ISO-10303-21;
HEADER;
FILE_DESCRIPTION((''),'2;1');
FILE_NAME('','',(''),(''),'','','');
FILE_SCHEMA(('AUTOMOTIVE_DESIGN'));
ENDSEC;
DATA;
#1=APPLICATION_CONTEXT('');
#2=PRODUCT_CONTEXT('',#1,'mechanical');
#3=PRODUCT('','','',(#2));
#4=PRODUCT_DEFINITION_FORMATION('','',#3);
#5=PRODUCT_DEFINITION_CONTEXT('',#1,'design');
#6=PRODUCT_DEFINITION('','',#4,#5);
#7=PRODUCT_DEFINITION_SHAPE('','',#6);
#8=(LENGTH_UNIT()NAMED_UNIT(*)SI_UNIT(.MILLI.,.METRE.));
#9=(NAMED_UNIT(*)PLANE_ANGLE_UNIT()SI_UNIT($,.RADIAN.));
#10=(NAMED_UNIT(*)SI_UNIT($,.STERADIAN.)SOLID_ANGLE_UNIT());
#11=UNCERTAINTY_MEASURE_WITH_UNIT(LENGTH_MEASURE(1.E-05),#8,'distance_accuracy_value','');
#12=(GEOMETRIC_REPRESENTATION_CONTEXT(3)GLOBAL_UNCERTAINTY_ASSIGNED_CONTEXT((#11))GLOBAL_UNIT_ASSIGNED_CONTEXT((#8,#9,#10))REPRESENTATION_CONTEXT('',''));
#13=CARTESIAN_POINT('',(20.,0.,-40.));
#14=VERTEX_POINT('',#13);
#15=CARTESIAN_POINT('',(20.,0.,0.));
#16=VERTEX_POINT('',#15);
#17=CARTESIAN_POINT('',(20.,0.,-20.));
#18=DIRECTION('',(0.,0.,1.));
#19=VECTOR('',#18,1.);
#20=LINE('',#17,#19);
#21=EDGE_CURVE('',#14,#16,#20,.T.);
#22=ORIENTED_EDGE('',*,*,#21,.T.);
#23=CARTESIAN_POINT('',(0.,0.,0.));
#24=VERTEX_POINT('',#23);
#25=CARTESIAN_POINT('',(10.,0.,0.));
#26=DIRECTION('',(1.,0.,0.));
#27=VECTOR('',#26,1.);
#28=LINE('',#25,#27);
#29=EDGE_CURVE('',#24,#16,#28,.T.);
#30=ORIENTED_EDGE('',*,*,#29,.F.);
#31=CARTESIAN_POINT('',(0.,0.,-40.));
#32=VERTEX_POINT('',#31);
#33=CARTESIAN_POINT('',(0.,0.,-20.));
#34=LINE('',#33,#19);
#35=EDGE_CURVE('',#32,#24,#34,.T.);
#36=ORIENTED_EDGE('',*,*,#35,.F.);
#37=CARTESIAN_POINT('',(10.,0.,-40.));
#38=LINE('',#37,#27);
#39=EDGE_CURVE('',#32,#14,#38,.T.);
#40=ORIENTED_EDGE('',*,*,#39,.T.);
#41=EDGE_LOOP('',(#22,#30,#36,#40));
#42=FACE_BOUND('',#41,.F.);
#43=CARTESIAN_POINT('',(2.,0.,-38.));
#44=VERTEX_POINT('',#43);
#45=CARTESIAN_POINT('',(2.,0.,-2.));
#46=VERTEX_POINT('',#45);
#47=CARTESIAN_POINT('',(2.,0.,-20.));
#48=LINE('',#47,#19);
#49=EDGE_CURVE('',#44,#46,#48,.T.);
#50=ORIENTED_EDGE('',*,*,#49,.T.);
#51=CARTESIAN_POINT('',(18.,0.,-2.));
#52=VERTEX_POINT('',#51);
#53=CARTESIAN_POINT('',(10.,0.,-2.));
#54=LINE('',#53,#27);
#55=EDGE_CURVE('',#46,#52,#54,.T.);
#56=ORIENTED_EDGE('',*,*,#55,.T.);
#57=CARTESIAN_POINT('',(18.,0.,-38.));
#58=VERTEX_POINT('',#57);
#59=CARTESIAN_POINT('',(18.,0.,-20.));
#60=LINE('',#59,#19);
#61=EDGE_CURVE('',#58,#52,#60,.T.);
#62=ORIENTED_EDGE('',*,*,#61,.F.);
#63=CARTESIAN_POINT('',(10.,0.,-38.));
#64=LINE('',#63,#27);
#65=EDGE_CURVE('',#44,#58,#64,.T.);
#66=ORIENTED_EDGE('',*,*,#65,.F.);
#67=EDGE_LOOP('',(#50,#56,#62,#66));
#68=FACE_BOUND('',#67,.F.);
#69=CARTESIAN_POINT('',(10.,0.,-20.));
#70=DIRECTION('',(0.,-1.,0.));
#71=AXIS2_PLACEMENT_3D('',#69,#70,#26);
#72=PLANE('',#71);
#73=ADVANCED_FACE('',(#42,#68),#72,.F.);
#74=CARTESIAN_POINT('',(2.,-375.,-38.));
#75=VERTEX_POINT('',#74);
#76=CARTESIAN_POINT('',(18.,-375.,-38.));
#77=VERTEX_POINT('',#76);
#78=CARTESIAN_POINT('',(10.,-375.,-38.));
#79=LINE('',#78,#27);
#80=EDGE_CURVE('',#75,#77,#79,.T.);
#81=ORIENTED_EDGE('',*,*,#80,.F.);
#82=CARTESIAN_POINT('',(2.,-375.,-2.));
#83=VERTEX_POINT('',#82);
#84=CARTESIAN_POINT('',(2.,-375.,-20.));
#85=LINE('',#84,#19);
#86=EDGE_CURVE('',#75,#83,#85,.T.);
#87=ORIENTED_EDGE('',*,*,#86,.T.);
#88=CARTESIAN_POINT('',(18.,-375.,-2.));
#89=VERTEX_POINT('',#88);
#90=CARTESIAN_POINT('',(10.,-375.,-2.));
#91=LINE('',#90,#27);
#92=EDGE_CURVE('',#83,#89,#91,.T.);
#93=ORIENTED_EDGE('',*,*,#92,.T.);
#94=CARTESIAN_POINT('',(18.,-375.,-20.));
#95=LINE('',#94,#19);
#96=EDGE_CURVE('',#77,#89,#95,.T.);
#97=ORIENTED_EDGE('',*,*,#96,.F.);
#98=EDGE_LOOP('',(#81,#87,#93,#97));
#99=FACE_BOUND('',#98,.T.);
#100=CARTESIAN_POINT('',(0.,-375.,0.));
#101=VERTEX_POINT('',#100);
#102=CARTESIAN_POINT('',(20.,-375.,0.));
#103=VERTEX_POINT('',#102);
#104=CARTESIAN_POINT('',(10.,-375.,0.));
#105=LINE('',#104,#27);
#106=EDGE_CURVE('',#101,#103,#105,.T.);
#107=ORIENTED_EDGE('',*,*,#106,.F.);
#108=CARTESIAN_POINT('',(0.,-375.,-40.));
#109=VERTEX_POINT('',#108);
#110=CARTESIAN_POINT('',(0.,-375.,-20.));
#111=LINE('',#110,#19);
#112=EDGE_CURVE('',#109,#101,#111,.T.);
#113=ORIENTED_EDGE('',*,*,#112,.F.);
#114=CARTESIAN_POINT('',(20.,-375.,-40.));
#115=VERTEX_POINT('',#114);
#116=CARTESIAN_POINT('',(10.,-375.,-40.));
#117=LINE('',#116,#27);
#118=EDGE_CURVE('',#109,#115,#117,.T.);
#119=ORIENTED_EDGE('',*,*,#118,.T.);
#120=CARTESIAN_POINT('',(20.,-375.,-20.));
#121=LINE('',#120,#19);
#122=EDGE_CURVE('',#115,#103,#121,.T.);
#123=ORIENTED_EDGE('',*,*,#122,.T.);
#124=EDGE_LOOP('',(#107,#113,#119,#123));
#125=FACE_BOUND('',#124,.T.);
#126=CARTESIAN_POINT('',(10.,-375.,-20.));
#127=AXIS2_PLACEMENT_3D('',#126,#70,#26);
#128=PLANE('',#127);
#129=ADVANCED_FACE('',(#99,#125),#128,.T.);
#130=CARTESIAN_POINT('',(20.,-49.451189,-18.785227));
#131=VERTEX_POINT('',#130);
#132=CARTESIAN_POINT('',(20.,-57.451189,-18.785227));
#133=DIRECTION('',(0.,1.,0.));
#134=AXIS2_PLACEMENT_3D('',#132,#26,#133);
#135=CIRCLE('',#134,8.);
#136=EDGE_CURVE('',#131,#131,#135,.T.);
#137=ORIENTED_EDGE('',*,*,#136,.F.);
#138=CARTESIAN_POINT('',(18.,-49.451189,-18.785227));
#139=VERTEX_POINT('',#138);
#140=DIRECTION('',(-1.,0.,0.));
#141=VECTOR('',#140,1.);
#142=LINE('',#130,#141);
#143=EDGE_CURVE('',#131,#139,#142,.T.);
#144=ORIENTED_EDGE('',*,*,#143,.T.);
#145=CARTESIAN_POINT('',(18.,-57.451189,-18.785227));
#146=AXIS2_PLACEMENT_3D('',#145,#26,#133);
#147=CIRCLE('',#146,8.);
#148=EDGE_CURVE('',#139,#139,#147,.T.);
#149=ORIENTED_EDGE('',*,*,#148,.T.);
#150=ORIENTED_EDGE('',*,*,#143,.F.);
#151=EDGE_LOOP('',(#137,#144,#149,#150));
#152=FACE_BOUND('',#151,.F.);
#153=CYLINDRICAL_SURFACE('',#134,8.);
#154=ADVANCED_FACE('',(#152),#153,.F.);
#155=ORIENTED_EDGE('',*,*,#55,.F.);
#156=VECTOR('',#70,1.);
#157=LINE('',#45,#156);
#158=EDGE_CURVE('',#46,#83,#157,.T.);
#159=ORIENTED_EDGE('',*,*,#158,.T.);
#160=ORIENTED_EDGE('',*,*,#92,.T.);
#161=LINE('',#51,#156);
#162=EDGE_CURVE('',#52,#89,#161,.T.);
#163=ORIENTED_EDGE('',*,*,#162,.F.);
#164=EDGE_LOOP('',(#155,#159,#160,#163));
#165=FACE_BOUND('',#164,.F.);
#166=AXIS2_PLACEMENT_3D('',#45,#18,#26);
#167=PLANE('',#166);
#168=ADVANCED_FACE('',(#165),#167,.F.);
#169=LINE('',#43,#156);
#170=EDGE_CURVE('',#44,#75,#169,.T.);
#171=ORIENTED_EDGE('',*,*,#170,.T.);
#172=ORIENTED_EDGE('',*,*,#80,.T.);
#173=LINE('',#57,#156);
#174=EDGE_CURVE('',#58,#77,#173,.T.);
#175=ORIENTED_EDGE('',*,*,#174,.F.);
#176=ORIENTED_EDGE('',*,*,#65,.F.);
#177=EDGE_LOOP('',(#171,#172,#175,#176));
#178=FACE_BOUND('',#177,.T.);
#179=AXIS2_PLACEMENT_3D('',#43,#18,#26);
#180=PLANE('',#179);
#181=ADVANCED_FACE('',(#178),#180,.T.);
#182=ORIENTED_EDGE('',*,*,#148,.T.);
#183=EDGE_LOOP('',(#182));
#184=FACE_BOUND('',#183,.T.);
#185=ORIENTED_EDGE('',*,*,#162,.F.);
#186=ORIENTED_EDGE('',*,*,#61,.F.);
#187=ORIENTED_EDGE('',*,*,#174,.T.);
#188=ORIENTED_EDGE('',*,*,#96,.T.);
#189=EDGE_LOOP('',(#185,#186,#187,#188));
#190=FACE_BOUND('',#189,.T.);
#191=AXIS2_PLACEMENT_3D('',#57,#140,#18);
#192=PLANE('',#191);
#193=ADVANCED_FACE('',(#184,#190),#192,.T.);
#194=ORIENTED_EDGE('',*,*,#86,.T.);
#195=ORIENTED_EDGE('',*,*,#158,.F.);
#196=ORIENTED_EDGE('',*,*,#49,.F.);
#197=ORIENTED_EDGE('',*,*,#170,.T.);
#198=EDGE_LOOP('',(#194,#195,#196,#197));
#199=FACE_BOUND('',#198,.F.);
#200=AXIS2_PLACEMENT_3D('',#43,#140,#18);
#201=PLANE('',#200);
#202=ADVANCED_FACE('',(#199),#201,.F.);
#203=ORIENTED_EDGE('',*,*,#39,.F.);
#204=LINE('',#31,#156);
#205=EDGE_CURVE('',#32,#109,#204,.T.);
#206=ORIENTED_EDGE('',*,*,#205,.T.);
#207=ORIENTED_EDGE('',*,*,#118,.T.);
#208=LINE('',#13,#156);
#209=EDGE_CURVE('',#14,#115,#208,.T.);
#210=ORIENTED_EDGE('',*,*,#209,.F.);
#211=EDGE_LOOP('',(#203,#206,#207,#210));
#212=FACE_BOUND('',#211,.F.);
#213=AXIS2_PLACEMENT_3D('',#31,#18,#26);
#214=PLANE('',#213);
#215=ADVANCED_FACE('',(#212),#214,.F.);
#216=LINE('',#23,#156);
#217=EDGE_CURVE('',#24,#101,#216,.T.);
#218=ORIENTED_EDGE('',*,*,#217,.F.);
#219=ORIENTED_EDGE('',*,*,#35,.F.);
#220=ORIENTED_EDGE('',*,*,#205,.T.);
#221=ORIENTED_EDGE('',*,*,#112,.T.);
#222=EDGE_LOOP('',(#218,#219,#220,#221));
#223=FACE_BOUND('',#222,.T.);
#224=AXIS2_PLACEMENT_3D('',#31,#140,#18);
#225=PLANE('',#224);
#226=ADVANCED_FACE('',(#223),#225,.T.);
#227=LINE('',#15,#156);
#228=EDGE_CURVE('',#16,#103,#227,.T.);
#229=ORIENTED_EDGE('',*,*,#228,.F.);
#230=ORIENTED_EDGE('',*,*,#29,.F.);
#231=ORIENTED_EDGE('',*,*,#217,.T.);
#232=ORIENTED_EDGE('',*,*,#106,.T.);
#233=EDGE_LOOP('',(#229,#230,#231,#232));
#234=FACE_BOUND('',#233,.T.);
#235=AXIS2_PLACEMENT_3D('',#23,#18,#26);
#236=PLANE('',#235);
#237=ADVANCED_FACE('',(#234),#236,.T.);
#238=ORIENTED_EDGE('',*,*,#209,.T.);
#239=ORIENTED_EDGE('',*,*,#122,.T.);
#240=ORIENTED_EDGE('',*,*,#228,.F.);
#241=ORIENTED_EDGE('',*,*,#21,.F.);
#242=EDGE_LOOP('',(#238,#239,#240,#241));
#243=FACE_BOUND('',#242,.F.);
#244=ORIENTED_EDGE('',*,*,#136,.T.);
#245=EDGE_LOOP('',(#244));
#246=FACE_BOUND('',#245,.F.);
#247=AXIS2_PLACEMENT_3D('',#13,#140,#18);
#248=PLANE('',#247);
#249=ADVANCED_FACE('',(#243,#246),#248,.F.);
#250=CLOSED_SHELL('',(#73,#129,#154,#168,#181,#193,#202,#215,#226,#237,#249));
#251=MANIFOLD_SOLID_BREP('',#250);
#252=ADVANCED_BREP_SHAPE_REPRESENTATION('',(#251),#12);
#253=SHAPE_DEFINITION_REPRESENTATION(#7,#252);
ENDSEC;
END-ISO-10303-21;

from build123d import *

# Parameters (mm, degrees)
F0_W     = 20
F0_H     = 40
F0_W_2   = 16
F0_H_2   = 36
F1_DEPTH = 375
F2_R     = 8
F3_DEPTH = 15


with BuildPart() as f1:
    # F0 (on Front) → F1 (new body)
    with BuildSketch(Plane.XZ):
        with Locations((10, -20)):
            Rectangle(F0_W, F0_H)
        with Locations((10, -20)):
            Rectangle(F0_W_2, F0_H_2, mode=Mode.SUBTRACT)
    extrude(amount=F1_DEPTH)

    # F2 (on face) → F3 (cut)
    with BuildSketch(Plane.YZ.offset(20)):
        with Locations((-57.451189, -18.785227)):
            Circle(F2_R)
    extrude(amount=-F3_DEPTH, mode=Mode.SUBTRACT)


solid = f1.part
